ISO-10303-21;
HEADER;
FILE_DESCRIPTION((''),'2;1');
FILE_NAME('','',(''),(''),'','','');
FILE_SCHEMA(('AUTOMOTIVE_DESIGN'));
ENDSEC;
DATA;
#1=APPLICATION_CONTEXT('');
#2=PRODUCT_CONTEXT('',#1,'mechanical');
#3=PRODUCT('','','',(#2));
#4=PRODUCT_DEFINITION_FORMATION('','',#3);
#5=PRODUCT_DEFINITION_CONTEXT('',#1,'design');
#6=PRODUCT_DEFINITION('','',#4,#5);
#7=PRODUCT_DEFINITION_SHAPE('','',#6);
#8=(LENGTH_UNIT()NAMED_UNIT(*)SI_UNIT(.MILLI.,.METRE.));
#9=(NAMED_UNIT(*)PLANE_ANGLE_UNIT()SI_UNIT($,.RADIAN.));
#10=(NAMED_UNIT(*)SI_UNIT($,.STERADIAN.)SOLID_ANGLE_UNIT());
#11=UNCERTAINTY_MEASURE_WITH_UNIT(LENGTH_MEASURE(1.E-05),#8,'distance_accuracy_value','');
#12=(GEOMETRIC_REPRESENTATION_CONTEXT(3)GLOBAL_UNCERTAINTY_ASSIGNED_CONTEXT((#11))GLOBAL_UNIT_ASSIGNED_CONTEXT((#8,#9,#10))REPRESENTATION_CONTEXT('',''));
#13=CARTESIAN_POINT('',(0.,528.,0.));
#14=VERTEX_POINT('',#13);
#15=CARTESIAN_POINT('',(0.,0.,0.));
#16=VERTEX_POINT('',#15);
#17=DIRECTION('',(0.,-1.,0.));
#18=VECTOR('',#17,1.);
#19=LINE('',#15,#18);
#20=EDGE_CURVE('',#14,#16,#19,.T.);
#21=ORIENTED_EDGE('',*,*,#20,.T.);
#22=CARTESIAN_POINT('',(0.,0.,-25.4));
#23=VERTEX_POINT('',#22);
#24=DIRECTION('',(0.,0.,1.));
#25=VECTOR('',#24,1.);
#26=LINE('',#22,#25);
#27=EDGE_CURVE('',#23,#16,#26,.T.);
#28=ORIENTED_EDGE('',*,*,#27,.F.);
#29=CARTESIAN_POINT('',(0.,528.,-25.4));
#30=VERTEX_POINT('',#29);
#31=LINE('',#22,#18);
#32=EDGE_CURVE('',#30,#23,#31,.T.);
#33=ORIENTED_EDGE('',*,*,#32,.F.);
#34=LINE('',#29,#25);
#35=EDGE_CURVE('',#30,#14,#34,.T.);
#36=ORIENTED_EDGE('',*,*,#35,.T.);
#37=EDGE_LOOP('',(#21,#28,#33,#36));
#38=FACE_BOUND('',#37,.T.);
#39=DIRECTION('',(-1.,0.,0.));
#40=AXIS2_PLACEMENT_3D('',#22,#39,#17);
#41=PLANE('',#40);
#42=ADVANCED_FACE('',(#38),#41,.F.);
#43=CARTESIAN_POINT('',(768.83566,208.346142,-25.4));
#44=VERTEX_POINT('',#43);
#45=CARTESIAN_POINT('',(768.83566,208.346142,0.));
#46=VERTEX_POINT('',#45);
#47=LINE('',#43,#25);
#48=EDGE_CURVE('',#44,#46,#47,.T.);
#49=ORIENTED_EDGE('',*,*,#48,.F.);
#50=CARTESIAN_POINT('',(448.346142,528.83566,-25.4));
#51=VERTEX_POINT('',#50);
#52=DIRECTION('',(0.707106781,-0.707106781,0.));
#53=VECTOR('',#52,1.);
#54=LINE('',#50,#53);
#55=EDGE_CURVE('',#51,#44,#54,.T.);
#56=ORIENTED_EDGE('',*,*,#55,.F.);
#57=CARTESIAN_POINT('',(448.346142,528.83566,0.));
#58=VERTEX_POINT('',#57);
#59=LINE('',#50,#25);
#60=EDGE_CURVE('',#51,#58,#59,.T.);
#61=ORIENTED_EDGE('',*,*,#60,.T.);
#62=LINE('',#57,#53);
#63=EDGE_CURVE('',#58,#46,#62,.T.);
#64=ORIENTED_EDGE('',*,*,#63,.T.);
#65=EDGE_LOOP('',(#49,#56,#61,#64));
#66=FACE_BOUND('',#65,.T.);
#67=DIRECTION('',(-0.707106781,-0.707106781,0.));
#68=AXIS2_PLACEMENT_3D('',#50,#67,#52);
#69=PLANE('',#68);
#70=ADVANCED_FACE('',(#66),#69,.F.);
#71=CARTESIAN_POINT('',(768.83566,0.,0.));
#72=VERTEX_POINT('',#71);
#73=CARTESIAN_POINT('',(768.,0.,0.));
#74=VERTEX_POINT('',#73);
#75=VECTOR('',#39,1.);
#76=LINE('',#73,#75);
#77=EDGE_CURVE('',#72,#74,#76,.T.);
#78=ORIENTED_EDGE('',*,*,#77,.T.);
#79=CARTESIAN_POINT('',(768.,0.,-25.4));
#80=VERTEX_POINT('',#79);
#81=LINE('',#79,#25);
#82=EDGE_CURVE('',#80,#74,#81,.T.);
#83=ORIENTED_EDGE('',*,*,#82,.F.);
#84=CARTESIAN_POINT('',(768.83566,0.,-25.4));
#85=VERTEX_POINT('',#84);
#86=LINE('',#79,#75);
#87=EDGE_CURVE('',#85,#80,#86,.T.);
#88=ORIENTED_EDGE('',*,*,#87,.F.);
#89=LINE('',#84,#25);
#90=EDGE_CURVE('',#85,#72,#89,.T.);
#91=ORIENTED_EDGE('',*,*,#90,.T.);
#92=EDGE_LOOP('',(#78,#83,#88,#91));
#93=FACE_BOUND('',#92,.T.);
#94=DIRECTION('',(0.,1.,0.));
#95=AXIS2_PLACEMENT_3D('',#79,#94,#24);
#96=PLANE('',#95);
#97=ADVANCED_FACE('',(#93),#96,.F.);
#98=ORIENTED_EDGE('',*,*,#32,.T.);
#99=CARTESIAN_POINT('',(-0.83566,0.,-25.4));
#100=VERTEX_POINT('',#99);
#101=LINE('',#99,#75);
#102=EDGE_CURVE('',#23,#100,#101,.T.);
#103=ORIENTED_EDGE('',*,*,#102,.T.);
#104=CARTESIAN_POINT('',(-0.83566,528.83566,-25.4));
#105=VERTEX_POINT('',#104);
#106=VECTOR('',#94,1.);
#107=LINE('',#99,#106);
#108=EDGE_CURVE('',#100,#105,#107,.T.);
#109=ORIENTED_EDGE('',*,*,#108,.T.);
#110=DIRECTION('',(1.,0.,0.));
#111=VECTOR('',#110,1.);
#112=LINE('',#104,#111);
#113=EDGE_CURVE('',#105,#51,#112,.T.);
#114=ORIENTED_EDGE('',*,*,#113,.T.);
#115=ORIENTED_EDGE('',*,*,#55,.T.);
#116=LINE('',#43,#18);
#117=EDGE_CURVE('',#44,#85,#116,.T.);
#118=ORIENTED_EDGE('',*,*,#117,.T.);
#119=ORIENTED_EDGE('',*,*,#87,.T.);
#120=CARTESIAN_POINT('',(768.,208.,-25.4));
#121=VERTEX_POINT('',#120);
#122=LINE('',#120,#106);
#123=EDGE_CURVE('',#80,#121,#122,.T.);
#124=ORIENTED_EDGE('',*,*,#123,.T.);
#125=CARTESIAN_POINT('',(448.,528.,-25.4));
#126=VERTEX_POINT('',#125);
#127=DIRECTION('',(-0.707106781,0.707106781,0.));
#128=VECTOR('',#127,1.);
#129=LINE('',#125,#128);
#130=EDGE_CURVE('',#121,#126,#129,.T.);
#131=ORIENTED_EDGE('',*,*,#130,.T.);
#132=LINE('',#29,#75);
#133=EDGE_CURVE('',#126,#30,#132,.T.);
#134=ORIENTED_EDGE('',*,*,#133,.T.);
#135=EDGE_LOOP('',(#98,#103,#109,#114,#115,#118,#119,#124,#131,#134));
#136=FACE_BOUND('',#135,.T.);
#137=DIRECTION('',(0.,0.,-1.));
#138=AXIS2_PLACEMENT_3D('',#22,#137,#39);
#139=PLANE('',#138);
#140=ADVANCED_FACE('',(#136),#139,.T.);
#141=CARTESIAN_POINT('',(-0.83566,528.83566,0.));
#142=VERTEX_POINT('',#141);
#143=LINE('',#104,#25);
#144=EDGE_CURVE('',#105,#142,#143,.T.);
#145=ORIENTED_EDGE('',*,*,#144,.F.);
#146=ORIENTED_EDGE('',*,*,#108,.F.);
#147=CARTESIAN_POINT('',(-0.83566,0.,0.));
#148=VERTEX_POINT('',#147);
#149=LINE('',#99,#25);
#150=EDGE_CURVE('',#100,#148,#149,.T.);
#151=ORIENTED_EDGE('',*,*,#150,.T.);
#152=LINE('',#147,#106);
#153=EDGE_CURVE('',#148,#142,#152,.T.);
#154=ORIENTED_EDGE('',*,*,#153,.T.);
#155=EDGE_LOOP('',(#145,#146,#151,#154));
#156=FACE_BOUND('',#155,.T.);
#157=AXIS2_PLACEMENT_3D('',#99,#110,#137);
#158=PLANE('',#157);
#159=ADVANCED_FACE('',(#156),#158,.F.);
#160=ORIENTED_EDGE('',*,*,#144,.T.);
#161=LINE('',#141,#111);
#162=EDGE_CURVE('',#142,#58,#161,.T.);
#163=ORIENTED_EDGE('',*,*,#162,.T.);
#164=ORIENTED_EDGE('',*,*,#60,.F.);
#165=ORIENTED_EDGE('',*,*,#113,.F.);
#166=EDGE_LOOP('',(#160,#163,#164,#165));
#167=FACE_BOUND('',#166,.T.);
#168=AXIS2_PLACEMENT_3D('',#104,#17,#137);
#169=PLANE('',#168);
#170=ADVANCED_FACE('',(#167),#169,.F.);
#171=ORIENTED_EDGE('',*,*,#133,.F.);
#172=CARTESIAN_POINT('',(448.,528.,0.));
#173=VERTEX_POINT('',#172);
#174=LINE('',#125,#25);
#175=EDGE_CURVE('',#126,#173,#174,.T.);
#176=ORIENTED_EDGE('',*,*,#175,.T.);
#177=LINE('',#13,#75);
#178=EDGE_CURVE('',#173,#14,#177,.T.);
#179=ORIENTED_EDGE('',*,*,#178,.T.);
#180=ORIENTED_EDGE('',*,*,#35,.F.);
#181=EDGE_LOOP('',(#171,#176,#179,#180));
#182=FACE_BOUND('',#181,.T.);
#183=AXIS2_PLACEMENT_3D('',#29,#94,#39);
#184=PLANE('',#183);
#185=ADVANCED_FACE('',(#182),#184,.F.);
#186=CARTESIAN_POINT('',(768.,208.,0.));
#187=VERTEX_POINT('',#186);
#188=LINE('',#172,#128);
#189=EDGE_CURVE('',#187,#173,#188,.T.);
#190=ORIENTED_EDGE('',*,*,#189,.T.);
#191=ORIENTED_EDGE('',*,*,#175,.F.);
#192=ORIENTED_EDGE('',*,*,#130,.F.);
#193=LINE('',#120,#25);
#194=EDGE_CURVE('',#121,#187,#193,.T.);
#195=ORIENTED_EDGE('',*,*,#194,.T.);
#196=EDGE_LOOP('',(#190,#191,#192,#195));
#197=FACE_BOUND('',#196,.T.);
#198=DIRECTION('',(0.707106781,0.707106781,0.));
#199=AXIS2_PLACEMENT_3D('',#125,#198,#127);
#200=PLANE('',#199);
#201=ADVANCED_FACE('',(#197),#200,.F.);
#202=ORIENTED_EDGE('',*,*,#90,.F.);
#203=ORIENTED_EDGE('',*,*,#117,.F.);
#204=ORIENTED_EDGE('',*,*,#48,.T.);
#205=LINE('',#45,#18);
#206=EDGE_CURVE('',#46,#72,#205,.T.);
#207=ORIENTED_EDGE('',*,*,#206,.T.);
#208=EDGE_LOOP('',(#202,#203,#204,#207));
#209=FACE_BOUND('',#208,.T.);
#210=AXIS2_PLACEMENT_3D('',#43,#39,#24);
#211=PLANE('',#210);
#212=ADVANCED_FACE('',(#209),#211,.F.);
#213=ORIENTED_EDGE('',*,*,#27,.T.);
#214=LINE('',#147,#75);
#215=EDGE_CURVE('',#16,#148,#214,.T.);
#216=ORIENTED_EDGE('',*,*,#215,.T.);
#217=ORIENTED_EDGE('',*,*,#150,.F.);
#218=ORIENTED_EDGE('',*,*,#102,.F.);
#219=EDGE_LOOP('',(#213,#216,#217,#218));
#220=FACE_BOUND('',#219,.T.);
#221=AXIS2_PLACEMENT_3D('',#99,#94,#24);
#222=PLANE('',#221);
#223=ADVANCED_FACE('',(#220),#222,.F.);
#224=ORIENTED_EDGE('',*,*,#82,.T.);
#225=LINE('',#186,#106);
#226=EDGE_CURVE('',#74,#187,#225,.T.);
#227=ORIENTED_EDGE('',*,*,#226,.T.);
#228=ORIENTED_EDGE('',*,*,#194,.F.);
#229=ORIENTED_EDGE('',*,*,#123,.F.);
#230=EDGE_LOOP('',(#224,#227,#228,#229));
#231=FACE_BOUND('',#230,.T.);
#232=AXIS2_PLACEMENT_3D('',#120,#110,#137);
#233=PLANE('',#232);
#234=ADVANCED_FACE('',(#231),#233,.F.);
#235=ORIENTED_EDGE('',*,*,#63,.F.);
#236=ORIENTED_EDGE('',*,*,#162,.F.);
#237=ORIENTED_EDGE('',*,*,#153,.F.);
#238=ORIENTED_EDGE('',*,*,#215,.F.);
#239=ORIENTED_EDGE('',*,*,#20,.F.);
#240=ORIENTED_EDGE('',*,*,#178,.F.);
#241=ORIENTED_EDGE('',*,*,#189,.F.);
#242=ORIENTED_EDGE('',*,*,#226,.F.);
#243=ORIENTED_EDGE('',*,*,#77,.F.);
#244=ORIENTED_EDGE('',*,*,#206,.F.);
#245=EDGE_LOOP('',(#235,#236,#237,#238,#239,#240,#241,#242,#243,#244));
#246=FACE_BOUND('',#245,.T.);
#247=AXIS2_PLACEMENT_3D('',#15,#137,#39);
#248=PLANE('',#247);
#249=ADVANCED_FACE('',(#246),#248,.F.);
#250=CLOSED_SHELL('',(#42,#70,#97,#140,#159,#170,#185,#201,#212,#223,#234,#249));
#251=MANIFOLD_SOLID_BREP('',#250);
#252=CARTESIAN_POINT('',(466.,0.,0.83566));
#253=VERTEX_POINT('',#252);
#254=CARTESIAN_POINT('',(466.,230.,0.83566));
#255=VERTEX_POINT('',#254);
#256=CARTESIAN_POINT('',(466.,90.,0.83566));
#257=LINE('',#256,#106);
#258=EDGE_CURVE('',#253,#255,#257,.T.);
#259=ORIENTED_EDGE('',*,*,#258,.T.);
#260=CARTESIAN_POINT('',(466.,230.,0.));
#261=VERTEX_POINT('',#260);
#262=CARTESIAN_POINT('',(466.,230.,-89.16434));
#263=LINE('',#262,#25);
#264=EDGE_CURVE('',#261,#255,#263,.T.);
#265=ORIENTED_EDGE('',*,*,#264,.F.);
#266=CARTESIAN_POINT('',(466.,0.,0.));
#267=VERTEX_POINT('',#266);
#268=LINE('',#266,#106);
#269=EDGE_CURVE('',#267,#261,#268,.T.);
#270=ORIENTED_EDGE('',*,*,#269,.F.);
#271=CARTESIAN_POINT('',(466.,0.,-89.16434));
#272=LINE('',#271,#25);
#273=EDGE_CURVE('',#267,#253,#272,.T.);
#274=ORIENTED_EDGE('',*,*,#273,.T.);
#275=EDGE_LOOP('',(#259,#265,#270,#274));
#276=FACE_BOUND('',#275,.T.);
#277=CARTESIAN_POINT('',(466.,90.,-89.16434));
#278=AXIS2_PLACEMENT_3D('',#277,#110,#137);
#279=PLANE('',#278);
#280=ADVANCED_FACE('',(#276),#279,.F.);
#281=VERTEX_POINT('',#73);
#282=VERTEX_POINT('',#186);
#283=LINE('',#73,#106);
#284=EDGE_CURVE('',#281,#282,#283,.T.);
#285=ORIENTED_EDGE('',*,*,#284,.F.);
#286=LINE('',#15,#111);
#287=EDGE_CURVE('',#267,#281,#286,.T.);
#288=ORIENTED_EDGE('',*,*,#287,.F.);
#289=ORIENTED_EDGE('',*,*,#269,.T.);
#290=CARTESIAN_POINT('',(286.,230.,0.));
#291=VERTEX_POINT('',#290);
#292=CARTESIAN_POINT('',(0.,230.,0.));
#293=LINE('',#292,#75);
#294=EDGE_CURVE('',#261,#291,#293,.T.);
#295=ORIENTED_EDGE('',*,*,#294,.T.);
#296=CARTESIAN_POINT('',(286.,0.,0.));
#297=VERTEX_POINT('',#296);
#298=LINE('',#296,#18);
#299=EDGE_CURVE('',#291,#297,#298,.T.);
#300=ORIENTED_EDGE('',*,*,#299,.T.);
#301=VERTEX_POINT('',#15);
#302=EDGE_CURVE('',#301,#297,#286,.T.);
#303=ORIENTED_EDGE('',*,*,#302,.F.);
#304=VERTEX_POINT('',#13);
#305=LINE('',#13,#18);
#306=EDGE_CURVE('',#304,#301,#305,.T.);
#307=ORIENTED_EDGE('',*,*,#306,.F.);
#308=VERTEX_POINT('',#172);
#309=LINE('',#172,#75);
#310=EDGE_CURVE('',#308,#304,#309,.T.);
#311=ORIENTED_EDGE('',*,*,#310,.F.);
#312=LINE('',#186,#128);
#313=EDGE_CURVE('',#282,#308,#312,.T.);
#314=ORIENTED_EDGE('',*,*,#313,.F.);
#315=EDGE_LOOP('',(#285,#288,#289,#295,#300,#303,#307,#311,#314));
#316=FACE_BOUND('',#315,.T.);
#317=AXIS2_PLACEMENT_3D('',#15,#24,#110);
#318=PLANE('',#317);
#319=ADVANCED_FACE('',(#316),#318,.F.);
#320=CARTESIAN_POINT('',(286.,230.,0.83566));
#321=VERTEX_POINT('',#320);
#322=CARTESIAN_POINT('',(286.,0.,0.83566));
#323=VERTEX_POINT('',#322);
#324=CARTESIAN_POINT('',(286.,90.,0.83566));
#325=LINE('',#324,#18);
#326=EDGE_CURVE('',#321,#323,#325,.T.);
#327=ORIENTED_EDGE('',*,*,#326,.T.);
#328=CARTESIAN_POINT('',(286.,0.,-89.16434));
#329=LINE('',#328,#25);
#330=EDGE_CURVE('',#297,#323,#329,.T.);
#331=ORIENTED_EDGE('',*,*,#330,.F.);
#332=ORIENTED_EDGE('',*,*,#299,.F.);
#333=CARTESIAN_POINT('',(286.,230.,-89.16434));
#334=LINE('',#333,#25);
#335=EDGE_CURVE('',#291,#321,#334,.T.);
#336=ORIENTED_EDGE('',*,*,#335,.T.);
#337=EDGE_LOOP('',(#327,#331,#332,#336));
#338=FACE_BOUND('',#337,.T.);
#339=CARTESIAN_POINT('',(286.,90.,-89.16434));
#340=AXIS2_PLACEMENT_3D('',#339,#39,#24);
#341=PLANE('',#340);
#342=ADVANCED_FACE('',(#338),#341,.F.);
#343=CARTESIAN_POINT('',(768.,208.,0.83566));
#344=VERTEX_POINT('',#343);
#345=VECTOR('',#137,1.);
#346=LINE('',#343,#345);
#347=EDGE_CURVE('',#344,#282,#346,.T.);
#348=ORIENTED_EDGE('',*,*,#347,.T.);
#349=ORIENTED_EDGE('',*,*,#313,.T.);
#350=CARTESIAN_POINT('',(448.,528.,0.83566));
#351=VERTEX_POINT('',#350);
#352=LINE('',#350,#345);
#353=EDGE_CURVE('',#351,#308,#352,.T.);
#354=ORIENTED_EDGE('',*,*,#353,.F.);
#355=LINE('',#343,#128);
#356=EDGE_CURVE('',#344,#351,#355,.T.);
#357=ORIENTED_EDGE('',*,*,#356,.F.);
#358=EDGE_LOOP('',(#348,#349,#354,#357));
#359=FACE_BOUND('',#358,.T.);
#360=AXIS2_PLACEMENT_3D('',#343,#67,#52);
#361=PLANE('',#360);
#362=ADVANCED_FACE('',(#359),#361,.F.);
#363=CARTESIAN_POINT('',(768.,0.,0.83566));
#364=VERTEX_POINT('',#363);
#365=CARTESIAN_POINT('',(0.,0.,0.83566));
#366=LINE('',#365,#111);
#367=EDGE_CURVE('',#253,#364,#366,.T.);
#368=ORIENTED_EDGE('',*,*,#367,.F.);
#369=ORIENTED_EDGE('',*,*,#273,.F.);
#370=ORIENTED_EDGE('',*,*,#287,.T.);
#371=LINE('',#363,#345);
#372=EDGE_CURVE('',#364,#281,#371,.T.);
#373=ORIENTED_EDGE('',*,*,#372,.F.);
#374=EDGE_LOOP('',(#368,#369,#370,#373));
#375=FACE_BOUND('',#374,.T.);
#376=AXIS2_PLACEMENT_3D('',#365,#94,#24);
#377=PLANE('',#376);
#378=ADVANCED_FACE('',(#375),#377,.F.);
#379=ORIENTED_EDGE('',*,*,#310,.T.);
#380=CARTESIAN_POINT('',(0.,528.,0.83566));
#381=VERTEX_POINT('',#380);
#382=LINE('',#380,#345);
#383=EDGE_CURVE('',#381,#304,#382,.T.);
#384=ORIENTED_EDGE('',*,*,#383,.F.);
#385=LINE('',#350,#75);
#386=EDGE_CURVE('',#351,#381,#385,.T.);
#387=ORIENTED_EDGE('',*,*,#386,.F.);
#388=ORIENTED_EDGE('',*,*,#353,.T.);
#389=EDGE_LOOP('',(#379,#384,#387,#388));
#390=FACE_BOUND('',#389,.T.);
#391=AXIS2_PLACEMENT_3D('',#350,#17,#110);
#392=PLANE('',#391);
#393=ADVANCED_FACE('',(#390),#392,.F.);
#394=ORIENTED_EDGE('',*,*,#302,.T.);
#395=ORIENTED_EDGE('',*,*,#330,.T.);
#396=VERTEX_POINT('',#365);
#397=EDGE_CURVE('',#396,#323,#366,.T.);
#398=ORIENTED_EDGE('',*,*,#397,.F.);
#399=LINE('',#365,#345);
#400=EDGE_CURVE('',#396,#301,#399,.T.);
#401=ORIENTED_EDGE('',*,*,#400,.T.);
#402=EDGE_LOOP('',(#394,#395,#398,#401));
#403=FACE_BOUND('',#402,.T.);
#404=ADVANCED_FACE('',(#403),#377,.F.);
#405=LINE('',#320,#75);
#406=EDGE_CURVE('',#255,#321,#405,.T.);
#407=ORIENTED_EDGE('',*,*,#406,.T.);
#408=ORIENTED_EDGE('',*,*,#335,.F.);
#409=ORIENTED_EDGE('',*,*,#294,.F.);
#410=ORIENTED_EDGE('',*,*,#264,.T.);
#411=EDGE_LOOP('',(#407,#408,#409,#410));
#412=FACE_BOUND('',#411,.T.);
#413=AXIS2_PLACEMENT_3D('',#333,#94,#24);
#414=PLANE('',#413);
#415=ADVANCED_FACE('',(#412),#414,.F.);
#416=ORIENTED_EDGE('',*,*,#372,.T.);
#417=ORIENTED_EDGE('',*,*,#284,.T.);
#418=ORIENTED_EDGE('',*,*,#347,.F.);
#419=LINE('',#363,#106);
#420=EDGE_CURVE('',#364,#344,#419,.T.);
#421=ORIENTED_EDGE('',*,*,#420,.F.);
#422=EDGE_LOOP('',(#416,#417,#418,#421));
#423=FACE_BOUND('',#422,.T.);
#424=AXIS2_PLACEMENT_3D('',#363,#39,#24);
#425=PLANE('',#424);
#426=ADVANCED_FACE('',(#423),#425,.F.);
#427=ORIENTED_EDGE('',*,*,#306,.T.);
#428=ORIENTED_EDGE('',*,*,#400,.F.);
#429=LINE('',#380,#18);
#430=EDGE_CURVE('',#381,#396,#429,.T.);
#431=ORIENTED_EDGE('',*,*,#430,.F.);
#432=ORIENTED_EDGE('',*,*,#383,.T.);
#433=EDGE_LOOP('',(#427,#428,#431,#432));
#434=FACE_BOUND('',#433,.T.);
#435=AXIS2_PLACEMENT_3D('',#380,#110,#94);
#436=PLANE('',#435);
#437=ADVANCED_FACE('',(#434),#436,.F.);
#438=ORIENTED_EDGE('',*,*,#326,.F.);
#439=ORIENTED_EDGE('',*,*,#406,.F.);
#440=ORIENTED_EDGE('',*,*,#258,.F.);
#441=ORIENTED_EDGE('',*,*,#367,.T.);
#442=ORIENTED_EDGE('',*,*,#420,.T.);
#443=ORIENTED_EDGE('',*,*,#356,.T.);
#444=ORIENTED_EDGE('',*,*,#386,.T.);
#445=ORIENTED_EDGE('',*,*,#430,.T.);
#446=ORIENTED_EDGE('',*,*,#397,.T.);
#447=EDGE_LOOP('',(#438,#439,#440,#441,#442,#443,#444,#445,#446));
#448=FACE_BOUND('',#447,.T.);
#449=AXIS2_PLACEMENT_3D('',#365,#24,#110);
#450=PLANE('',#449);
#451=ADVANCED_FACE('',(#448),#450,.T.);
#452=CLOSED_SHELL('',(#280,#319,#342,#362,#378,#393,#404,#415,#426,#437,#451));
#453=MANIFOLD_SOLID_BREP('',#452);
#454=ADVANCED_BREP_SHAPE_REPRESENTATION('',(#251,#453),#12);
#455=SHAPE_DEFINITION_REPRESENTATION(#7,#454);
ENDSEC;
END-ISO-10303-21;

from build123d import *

# Parameters (mm, degrees)
SALIENTE_EXTRUIR1_DEPTH = 0.83566
SALIENTE_EXTRUIR2_DEPTH = 25.4
CORTAR_EXTRUIR1_DEPTH   = 90


with BuildPart() as part:
    # Croquis1 → Saliente-Extruir1 (new body)
    with BuildSketch(Plane.XY):
        Polygon((0, 0), (768, 0), (768, 208), (448, 528), (0, 528), align=None)
    extrude(amount=SALIENTE_EXTRUIR1_DEPTH)

    # Croquis4 → Cortar-Extruir1 (cut)
    with BuildSketch(Plane.XY.offset(0.83566)):
        Polygon((286, 90), (286, 230), (466, 230), (466, 90), (466, 0), (286, 0), align=None)
    extrude(amount=-CORTAR_EXTRUIR1_DEPTH, mode=Mode.SUBTRACT)


with BuildPart() as body_2:
    # Croquis3 → Saliente-Extruir2 (new body)
    with BuildSketch(Plane(origin=(0, 0, 0), x_dir=(-1, 0, 0), z_dir=(0, 0, -1))):
        Polygon((0.83566, 0), (0.83566, 528.83566), (-448.346141706, 528.83566), (-768.83566, 208.346141706), (-768.83566, 0), (-768, 0), (-768, 208), (-448, 528), (0, 528), (0, 0), align=None)
    extrude(amount=SALIENTE_EXTRUIR2_DEPTH)


solid = Compound([part.part, body_2.part])
